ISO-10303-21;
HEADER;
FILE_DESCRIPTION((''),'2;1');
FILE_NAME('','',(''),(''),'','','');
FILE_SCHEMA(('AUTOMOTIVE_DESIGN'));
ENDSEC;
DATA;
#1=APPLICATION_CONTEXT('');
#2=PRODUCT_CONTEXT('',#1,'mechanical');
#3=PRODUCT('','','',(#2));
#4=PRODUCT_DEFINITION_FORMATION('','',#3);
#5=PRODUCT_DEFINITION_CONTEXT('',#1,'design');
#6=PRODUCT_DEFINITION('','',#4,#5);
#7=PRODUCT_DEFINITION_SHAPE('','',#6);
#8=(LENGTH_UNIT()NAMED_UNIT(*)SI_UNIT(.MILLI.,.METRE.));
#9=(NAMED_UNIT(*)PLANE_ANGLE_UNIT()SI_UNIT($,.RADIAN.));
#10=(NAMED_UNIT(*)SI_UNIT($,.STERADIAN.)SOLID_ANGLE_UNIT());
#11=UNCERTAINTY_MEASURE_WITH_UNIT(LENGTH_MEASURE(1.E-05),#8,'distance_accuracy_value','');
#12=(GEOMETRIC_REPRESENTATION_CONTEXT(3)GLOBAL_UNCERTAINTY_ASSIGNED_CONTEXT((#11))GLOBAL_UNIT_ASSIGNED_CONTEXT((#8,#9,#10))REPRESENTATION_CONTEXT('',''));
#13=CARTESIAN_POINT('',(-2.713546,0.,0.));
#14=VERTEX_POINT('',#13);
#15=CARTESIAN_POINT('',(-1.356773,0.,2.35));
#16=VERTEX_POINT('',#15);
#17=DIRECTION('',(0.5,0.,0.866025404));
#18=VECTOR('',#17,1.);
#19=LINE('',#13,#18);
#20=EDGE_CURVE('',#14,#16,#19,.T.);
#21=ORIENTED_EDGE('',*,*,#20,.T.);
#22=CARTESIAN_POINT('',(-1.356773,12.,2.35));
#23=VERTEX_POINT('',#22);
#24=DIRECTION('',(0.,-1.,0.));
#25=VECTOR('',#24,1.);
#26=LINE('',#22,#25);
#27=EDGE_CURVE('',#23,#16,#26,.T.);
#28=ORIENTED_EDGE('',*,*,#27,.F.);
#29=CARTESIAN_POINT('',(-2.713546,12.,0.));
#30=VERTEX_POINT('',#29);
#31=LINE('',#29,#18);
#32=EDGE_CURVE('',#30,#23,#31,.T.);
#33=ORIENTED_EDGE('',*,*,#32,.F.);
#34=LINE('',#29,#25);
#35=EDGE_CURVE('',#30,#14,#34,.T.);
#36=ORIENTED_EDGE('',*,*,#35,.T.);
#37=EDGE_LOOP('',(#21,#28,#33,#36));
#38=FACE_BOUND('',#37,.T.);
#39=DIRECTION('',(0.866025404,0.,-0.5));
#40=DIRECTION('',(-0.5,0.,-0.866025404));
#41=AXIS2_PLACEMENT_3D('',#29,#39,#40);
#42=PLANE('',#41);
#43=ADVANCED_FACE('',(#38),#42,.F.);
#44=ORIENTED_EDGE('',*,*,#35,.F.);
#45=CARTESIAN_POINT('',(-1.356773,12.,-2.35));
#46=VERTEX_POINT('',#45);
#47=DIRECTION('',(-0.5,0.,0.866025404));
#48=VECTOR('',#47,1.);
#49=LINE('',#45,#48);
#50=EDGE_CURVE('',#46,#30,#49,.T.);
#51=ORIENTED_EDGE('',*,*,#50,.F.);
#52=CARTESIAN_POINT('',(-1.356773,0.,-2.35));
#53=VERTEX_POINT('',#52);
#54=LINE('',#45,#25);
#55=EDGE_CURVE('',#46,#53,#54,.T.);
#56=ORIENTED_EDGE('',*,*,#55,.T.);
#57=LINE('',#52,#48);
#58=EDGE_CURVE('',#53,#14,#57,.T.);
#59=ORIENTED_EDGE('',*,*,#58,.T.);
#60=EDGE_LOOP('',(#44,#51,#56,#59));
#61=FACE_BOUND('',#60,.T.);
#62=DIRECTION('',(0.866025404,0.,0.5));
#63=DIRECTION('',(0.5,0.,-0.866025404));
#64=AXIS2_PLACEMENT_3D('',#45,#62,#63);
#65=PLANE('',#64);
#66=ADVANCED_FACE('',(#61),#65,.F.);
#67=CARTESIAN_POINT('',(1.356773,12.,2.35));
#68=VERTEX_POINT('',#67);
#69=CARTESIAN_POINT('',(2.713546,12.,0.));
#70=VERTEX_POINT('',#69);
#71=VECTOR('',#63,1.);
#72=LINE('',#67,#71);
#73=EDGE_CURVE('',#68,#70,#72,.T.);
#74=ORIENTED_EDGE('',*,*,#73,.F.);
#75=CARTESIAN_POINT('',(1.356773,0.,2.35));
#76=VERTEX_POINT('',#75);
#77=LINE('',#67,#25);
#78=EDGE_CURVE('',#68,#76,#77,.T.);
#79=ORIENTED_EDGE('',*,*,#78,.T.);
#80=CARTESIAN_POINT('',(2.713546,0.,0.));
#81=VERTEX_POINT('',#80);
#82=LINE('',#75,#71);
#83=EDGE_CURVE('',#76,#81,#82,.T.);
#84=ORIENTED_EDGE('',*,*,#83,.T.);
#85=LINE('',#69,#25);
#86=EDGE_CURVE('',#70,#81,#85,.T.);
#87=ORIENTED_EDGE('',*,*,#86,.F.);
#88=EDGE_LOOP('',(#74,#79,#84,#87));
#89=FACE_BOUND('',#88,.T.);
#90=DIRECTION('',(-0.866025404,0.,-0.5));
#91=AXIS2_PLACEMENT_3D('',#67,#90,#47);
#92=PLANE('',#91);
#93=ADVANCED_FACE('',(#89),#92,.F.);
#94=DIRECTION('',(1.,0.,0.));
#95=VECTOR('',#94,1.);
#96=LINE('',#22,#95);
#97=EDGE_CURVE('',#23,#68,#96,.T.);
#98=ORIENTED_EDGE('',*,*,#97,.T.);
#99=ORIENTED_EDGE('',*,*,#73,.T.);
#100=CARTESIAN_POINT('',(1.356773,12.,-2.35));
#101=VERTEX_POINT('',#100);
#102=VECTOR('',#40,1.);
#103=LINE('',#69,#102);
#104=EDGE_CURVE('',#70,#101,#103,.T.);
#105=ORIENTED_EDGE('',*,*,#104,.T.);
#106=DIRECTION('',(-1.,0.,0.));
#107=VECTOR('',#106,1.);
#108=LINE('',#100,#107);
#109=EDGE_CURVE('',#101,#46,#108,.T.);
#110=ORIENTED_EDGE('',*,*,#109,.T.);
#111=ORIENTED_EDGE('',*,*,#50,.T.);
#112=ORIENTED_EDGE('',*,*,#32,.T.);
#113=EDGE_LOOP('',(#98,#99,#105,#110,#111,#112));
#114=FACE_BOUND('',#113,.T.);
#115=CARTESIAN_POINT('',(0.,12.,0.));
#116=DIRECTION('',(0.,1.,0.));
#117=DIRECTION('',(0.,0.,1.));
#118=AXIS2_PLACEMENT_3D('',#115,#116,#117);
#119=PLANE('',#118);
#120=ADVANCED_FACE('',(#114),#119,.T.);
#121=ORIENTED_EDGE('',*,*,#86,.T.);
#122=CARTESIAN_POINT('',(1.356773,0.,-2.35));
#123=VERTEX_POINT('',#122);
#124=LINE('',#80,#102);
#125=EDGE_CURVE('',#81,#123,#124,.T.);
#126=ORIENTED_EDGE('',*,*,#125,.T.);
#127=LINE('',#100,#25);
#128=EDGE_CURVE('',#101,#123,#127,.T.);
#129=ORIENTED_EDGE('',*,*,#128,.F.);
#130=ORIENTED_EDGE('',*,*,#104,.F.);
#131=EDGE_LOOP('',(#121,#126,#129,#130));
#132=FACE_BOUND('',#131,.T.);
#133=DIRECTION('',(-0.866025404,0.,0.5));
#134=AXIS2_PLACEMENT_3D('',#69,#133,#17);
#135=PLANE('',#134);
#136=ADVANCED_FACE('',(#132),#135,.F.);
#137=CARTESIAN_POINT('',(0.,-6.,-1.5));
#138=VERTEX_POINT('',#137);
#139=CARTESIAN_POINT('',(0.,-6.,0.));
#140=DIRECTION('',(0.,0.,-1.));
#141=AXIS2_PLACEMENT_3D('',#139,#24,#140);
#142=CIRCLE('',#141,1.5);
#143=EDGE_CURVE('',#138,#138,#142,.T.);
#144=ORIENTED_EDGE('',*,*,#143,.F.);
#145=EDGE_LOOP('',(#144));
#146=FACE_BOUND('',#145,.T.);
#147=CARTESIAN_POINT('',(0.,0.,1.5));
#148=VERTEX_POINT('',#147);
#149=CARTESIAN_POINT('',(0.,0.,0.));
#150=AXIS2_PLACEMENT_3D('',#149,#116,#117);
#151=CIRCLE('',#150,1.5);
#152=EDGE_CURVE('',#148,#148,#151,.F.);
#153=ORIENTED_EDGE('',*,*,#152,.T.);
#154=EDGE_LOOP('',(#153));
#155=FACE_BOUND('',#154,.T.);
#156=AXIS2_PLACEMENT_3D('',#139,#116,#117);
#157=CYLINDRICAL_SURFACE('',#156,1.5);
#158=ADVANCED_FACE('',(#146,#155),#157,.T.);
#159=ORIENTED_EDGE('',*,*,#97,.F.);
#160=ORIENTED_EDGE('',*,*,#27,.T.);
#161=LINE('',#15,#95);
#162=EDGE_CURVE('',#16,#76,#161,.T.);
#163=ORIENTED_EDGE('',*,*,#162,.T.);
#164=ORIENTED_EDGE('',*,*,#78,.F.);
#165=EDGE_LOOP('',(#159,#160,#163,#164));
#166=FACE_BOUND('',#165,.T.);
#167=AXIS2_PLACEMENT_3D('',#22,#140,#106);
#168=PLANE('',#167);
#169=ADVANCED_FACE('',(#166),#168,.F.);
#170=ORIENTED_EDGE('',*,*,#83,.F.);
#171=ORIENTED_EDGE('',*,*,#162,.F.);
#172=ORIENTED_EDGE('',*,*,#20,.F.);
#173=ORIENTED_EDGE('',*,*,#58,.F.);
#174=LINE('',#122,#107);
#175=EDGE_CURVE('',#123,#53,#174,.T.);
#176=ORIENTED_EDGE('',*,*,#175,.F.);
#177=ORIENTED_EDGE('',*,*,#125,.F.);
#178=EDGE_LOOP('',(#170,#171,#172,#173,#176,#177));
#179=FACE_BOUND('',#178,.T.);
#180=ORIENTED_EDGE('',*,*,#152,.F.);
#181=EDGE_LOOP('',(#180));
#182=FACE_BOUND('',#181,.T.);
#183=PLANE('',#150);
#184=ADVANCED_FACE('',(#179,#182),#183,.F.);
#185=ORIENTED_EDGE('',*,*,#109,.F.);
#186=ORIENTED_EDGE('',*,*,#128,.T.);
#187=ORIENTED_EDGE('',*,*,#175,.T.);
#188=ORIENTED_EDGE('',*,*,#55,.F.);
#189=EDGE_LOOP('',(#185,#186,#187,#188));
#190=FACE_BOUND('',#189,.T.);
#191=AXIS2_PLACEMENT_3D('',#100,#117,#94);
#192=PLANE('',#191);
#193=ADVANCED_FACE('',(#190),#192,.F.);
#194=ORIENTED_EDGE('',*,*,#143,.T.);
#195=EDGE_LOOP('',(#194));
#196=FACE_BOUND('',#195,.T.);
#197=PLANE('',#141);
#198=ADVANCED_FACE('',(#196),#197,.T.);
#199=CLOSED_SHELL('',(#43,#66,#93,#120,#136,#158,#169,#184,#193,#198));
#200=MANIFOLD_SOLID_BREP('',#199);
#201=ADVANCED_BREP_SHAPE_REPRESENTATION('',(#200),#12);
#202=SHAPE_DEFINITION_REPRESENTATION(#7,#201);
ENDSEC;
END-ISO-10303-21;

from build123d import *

# Parameters (mm, degrees)
EXTRUDE_1_DEPTH = 12
SKETCH_2_R      = 1.5
EXTRUDE_2_DEPTH = 6


with BuildPart() as part:
    # 草图1 → 凸台-拉伸1 (new body)
    with BuildSketch(Plane(origin=(0, 0, 0), x_dir=(1, 0, 0), z_dir=(0, 1, 0))):
        Polygon((-1.356773133, 2.35), (-2.713546265, 0), (-1.356773133, -2.35), (1.356773133, -2.35), (2.713546265, 0), (1.356773133, 2.35), align=None)
    extrude(amount=EXTRUDE_1_DEPTH)

    # 草图2 → 凸台-拉伸2 (add)
    with BuildSketch(Plane.XZ):
        with Locations(Location((0, 0, 0), (0, 0, 90))):
            Circle(SKETCH_2_R)
    extrude(amount=EXTRUDE_2_DEPTH)


solid = part.part
